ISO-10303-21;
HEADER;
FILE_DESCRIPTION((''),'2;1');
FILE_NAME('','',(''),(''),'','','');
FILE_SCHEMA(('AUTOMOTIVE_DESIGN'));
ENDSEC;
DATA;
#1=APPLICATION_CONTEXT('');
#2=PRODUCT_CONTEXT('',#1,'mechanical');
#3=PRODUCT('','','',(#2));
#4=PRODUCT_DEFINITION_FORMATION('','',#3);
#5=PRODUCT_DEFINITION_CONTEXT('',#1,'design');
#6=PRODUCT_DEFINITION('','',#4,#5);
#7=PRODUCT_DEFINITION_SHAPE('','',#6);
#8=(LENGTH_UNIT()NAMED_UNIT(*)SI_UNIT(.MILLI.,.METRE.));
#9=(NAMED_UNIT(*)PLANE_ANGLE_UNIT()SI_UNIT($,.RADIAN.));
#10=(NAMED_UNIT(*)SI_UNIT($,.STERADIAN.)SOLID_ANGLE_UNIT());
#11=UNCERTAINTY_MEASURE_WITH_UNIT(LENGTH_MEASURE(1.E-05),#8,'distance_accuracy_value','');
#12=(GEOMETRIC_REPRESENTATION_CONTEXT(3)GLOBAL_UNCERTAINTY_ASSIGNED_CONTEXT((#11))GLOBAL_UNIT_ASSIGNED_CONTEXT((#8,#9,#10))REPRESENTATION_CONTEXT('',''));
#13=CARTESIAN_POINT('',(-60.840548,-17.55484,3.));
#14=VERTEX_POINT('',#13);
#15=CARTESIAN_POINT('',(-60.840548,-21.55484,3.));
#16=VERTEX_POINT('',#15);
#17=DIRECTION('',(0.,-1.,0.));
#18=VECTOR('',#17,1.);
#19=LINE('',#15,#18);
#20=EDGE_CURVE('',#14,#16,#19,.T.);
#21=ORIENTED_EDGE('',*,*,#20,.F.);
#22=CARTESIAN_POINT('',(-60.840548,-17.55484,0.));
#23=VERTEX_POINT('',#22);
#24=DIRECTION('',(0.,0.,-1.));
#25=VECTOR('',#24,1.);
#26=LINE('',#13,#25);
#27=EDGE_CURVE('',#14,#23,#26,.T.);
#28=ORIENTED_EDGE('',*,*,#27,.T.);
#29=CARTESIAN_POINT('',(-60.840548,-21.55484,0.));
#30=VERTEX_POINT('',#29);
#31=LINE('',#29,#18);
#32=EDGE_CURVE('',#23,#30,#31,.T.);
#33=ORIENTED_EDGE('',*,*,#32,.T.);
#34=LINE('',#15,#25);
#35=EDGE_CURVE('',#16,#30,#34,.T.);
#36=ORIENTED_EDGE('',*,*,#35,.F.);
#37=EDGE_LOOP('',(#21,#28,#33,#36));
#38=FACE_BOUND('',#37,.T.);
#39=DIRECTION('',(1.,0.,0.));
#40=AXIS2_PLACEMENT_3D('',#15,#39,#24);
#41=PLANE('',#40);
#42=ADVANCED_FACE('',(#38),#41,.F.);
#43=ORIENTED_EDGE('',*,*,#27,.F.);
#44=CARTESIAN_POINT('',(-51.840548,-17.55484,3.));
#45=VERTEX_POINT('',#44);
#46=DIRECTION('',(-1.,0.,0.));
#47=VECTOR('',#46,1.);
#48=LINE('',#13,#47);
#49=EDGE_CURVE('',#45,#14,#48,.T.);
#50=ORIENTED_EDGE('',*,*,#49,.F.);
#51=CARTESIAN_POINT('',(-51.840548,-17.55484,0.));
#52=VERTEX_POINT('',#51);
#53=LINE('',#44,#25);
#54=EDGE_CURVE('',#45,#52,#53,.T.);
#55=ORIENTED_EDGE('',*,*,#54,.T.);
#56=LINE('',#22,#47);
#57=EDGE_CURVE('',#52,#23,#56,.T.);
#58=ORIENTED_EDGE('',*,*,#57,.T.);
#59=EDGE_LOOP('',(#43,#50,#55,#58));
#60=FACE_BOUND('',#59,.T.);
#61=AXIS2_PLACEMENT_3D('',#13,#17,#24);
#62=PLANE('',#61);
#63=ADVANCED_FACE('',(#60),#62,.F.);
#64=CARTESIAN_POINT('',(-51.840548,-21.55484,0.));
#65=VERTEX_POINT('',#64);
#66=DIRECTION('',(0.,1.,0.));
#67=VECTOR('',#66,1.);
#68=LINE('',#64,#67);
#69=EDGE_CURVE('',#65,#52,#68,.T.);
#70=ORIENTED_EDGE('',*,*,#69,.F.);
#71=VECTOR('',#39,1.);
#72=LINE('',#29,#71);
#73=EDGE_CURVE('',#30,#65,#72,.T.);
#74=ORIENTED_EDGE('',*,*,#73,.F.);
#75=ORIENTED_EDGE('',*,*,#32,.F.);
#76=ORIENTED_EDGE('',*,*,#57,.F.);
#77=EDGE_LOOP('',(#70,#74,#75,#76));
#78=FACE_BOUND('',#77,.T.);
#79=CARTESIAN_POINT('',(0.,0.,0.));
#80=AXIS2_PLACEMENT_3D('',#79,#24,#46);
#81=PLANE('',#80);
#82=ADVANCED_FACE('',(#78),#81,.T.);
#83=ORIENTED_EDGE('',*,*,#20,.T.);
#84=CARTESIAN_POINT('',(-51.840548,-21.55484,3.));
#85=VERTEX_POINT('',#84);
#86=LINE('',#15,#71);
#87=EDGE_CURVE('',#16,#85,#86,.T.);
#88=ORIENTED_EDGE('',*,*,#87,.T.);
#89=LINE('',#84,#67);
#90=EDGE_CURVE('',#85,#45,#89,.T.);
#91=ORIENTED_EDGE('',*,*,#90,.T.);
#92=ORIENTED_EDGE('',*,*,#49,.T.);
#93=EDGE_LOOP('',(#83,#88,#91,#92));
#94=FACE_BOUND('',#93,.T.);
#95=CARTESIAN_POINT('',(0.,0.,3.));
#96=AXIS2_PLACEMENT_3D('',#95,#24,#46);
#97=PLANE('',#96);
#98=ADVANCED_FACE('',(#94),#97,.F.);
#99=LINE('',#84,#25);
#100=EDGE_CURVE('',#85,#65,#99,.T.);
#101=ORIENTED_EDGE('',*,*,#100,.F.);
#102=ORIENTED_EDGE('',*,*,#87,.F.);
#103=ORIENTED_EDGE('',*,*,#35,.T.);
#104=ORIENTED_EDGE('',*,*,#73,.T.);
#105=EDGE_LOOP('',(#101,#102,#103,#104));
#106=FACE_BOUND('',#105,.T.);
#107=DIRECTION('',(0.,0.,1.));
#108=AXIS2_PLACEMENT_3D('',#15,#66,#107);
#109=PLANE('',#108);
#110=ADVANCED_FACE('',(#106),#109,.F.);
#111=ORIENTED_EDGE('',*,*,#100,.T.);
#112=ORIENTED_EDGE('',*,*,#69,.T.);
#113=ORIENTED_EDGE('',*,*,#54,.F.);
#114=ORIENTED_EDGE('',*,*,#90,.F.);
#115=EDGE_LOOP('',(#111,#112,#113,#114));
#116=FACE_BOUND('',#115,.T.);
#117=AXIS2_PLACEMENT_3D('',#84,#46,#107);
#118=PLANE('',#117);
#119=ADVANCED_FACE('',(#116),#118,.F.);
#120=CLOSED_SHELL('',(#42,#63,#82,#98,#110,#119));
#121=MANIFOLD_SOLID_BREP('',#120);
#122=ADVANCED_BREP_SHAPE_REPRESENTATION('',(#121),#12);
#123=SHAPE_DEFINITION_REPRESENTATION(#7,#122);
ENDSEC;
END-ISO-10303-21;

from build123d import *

# Parameters (mm, degrees)
SKETCH1_W           = 9
SKETCH1_H           = 4
BOSS_EXTRUDE1_DEPTH = 3


with BuildPart() as part:
    # Sketch1 → Boss-Extrude1 (new body)
    with BuildSketch(Plane.XY):
        with Locations((-56.340548194, -19.554839833)):
            Rectangle(SKETCH1_W, SKETCH1_H)
    extrude(amount=BOSS_EXTRUDE1_DEPTH)


solid = part.part
